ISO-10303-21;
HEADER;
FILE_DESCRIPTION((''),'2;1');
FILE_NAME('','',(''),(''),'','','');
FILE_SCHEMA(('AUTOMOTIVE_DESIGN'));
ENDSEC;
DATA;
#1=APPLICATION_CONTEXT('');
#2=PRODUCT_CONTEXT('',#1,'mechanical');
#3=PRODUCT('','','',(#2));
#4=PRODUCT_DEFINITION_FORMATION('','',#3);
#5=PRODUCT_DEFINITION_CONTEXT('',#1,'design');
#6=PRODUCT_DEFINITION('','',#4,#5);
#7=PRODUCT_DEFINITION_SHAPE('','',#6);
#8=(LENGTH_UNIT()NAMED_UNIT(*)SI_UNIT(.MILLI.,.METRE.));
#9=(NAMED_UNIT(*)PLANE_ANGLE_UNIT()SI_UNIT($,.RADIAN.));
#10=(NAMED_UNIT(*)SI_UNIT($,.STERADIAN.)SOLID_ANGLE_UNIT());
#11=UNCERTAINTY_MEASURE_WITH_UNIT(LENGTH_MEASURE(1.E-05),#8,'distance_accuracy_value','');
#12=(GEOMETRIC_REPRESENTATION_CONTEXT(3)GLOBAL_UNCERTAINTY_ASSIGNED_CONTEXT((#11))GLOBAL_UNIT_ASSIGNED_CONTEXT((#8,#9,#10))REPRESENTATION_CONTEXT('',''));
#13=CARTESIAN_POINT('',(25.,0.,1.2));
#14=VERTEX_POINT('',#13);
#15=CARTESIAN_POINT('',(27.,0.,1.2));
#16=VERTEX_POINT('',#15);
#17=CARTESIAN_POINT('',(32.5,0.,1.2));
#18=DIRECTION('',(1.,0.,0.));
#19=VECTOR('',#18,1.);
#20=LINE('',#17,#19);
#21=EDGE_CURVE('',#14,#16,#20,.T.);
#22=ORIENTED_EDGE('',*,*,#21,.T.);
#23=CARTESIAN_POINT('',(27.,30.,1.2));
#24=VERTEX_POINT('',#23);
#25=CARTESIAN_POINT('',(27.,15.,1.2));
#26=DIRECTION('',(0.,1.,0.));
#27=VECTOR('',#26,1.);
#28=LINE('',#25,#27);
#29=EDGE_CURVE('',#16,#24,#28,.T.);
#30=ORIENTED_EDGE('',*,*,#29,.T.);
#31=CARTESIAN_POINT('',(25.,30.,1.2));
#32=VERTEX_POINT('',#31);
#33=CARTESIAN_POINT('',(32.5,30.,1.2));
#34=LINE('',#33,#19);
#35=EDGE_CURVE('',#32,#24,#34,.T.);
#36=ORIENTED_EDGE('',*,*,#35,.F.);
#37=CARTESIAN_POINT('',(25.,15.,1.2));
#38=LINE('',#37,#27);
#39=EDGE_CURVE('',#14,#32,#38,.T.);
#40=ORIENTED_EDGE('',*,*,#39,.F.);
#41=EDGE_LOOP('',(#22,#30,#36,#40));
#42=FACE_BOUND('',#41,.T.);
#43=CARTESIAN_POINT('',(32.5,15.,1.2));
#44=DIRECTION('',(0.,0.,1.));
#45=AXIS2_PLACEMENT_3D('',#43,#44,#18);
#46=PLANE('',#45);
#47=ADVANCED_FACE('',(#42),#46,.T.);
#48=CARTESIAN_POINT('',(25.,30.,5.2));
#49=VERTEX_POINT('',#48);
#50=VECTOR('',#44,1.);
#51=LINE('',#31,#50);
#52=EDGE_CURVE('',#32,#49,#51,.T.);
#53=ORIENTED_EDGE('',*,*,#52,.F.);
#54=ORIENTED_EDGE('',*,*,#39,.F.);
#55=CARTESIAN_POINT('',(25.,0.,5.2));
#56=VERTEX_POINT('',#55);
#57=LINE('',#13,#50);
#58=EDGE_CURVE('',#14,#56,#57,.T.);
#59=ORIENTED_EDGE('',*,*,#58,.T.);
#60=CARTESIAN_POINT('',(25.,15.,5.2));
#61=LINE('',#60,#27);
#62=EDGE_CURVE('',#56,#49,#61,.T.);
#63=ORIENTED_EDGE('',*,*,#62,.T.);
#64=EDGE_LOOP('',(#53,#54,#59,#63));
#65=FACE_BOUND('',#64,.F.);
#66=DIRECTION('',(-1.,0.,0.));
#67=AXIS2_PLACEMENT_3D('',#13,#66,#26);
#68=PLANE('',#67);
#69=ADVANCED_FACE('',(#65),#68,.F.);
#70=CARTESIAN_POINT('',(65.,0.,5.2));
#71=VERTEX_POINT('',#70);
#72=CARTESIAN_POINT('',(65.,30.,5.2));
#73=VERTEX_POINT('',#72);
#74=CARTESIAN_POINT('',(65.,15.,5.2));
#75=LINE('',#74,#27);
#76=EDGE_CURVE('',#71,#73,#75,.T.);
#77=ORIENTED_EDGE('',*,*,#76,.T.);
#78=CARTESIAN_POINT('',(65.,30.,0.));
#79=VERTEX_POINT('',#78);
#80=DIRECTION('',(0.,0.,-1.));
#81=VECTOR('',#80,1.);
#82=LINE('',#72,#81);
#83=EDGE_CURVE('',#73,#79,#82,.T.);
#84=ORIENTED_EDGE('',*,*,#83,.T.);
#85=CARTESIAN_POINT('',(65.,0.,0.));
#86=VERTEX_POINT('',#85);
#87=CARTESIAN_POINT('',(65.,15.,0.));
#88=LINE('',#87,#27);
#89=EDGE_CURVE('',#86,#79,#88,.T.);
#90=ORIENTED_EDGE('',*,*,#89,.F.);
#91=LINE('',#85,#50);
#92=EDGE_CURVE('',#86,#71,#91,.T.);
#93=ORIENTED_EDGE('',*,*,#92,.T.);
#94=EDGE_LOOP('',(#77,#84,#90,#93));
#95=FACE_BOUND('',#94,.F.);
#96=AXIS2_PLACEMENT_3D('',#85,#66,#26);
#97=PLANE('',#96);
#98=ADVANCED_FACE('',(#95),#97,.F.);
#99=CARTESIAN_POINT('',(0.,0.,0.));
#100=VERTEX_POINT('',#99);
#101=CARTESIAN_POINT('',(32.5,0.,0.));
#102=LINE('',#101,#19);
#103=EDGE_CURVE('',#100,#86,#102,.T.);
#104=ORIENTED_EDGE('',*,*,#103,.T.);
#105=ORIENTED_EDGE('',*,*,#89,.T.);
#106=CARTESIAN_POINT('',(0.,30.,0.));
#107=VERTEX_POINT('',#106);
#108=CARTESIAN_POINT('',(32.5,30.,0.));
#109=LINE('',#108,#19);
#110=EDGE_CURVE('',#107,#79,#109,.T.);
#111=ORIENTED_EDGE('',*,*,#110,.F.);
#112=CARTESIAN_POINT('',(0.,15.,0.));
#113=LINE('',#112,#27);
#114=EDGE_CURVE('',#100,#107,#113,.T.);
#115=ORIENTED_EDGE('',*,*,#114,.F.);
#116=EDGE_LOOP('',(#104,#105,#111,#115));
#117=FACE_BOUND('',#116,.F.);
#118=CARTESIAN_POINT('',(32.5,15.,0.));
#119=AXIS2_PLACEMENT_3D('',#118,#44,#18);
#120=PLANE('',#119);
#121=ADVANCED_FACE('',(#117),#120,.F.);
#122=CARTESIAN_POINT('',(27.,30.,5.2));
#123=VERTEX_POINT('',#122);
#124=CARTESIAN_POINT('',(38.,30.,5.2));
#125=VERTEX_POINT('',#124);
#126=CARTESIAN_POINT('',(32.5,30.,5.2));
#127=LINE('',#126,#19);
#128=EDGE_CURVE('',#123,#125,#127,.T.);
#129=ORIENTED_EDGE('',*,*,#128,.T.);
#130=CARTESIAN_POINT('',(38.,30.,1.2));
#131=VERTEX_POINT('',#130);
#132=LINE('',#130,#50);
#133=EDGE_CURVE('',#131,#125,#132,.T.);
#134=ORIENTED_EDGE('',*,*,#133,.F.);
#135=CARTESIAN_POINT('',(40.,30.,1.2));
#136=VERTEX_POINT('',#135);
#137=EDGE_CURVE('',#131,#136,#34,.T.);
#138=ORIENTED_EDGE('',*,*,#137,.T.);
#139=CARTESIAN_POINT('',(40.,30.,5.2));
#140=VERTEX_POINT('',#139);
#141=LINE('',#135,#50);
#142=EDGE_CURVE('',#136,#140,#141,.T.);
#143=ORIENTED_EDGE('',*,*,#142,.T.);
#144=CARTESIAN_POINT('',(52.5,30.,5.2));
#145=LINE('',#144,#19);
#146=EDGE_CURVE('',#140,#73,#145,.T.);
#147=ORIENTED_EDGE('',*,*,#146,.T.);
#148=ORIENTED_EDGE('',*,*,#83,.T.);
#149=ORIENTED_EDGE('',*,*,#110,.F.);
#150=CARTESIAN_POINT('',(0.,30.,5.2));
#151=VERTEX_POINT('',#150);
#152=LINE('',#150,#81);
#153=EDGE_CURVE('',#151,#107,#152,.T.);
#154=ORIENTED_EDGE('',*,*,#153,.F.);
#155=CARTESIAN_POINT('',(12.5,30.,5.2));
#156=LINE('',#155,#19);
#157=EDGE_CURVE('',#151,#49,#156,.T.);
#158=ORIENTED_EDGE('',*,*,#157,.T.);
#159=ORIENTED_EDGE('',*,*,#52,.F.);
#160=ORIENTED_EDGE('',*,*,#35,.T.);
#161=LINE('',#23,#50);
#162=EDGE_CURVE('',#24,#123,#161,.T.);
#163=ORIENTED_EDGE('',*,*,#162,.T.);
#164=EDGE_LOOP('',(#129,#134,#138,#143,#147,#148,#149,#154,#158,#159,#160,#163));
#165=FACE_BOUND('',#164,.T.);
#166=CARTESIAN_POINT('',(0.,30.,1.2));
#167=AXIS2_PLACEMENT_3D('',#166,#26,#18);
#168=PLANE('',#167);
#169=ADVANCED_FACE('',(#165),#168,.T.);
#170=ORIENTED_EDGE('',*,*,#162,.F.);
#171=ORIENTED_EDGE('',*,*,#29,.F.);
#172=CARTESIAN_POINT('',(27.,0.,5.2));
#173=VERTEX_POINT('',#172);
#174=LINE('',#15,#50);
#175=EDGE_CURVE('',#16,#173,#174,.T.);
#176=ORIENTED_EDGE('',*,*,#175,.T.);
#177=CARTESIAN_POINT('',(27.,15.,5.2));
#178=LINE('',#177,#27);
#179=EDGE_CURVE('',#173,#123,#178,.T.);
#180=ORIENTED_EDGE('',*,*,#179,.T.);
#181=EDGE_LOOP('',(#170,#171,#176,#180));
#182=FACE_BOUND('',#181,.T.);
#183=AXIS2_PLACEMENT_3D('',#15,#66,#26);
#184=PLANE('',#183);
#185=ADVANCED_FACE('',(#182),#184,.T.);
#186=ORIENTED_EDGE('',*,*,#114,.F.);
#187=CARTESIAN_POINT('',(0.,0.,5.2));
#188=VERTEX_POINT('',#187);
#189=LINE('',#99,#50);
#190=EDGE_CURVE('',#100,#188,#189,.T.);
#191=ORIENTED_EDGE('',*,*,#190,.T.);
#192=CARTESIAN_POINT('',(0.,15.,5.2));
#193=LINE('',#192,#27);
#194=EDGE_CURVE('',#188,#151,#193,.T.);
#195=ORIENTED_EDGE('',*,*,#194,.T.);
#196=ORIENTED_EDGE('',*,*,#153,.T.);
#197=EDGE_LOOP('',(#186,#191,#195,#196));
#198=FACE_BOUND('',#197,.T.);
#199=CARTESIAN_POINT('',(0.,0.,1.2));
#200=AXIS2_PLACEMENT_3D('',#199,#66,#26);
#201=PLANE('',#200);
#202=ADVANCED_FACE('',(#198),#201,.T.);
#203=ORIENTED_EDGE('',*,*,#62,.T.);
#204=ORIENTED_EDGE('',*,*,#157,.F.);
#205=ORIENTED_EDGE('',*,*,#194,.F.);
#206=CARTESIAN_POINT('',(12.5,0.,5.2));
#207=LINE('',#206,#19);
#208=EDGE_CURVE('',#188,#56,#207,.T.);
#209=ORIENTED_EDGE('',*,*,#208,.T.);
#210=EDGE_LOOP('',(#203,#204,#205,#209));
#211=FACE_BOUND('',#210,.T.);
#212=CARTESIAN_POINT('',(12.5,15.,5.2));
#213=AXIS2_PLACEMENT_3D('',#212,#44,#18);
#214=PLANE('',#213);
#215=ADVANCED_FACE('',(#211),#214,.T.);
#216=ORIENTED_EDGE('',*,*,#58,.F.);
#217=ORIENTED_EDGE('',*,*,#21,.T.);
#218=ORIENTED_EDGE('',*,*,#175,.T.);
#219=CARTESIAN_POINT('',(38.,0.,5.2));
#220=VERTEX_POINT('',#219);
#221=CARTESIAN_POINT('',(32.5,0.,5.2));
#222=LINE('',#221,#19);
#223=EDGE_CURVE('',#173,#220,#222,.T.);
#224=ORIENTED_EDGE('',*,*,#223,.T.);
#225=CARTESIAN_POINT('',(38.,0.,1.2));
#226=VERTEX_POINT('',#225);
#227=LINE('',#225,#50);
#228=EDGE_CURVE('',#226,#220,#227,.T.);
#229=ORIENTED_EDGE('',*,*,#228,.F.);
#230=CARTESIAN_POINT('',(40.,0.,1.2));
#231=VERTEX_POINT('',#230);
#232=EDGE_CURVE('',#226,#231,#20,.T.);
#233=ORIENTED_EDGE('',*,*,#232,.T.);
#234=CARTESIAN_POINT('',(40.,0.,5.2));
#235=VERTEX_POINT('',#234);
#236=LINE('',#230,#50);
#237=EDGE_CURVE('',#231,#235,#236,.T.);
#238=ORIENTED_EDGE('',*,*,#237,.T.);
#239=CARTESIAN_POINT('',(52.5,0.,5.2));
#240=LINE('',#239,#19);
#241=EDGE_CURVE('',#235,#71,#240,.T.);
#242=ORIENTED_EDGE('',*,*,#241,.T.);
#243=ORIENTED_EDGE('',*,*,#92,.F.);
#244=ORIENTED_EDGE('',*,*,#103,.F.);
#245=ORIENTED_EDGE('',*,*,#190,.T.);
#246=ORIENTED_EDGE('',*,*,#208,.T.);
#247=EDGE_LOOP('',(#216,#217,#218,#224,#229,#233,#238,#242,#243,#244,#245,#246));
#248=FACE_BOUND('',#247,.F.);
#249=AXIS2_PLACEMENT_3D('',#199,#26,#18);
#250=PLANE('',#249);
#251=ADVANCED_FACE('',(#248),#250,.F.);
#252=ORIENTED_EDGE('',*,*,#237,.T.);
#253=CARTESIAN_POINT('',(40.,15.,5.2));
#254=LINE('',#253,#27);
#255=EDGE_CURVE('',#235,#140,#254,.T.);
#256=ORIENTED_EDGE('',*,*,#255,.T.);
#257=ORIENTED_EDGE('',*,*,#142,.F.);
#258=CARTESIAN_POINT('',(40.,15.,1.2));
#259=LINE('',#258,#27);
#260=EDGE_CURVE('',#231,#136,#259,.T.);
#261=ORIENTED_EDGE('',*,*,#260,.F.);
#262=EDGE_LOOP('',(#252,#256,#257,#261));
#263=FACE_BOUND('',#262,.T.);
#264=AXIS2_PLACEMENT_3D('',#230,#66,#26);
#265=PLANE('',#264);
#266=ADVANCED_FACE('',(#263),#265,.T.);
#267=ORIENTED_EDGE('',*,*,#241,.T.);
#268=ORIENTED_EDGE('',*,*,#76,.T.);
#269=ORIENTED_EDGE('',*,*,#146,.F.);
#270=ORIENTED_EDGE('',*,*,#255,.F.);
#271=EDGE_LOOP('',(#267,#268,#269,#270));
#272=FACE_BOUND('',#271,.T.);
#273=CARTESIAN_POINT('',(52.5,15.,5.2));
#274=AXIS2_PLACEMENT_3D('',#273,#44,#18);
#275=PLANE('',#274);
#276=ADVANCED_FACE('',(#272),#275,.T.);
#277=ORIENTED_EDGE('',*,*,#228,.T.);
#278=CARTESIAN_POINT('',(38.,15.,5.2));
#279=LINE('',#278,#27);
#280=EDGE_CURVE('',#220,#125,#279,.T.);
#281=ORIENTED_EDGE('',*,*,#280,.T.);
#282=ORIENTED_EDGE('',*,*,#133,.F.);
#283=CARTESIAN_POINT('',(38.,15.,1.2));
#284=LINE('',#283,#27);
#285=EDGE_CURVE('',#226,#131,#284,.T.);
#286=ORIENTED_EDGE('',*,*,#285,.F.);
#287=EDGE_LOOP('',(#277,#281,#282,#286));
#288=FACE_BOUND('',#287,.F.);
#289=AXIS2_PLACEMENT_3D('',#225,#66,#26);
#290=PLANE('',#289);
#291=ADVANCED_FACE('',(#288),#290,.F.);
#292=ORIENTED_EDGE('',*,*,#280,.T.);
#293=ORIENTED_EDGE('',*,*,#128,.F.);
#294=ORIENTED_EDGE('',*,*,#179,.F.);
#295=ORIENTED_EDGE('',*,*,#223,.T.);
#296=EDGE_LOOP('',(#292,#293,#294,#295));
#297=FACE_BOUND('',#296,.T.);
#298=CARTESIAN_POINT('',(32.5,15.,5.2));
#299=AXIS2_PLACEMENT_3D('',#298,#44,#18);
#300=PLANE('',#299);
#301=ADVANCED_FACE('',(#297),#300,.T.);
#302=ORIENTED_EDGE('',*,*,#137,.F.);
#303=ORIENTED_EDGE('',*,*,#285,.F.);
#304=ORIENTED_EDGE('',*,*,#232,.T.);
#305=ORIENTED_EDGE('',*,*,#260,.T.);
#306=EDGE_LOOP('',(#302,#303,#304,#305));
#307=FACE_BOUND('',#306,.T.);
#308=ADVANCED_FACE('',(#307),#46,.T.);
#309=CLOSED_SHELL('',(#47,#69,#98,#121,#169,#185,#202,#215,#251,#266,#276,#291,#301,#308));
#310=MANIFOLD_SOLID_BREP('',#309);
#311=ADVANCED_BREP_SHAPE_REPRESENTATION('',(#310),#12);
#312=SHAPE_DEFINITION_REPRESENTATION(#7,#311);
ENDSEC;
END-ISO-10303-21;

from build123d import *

# Parameters (mm, degrees)
F0_W     = 65
F0_H     = 30
F1_DEPTH = 1.2
F2_W     = 25
F2_H     = 30
F2_W_2   = 11
F3_DEPTH = 4


with BuildPart() as f1:
    # F0 (on Top) → F1 (new body)
    with BuildSketch(Plane.XY):
        with Locations((32.5, 15)):
            Rectangle(F0_W, F0_H)
    extrude(amount=F1_DEPTH)

    # F2 (on face) → F3 (join)
    with BuildSketch(Plane.XY.offset(1.2)):
        with Locations((12.5, 15)):
            Rectangle(F2_W, F2_H)
        with Locations((52.5, 15)):
            Rectangle(F2_W, F2_H)
        with Locations((32.5, 15)):
            Rectangle(F2_W_2, F2_H)
    extrude(amount=F3_DEPTH)


solid = f1.part
